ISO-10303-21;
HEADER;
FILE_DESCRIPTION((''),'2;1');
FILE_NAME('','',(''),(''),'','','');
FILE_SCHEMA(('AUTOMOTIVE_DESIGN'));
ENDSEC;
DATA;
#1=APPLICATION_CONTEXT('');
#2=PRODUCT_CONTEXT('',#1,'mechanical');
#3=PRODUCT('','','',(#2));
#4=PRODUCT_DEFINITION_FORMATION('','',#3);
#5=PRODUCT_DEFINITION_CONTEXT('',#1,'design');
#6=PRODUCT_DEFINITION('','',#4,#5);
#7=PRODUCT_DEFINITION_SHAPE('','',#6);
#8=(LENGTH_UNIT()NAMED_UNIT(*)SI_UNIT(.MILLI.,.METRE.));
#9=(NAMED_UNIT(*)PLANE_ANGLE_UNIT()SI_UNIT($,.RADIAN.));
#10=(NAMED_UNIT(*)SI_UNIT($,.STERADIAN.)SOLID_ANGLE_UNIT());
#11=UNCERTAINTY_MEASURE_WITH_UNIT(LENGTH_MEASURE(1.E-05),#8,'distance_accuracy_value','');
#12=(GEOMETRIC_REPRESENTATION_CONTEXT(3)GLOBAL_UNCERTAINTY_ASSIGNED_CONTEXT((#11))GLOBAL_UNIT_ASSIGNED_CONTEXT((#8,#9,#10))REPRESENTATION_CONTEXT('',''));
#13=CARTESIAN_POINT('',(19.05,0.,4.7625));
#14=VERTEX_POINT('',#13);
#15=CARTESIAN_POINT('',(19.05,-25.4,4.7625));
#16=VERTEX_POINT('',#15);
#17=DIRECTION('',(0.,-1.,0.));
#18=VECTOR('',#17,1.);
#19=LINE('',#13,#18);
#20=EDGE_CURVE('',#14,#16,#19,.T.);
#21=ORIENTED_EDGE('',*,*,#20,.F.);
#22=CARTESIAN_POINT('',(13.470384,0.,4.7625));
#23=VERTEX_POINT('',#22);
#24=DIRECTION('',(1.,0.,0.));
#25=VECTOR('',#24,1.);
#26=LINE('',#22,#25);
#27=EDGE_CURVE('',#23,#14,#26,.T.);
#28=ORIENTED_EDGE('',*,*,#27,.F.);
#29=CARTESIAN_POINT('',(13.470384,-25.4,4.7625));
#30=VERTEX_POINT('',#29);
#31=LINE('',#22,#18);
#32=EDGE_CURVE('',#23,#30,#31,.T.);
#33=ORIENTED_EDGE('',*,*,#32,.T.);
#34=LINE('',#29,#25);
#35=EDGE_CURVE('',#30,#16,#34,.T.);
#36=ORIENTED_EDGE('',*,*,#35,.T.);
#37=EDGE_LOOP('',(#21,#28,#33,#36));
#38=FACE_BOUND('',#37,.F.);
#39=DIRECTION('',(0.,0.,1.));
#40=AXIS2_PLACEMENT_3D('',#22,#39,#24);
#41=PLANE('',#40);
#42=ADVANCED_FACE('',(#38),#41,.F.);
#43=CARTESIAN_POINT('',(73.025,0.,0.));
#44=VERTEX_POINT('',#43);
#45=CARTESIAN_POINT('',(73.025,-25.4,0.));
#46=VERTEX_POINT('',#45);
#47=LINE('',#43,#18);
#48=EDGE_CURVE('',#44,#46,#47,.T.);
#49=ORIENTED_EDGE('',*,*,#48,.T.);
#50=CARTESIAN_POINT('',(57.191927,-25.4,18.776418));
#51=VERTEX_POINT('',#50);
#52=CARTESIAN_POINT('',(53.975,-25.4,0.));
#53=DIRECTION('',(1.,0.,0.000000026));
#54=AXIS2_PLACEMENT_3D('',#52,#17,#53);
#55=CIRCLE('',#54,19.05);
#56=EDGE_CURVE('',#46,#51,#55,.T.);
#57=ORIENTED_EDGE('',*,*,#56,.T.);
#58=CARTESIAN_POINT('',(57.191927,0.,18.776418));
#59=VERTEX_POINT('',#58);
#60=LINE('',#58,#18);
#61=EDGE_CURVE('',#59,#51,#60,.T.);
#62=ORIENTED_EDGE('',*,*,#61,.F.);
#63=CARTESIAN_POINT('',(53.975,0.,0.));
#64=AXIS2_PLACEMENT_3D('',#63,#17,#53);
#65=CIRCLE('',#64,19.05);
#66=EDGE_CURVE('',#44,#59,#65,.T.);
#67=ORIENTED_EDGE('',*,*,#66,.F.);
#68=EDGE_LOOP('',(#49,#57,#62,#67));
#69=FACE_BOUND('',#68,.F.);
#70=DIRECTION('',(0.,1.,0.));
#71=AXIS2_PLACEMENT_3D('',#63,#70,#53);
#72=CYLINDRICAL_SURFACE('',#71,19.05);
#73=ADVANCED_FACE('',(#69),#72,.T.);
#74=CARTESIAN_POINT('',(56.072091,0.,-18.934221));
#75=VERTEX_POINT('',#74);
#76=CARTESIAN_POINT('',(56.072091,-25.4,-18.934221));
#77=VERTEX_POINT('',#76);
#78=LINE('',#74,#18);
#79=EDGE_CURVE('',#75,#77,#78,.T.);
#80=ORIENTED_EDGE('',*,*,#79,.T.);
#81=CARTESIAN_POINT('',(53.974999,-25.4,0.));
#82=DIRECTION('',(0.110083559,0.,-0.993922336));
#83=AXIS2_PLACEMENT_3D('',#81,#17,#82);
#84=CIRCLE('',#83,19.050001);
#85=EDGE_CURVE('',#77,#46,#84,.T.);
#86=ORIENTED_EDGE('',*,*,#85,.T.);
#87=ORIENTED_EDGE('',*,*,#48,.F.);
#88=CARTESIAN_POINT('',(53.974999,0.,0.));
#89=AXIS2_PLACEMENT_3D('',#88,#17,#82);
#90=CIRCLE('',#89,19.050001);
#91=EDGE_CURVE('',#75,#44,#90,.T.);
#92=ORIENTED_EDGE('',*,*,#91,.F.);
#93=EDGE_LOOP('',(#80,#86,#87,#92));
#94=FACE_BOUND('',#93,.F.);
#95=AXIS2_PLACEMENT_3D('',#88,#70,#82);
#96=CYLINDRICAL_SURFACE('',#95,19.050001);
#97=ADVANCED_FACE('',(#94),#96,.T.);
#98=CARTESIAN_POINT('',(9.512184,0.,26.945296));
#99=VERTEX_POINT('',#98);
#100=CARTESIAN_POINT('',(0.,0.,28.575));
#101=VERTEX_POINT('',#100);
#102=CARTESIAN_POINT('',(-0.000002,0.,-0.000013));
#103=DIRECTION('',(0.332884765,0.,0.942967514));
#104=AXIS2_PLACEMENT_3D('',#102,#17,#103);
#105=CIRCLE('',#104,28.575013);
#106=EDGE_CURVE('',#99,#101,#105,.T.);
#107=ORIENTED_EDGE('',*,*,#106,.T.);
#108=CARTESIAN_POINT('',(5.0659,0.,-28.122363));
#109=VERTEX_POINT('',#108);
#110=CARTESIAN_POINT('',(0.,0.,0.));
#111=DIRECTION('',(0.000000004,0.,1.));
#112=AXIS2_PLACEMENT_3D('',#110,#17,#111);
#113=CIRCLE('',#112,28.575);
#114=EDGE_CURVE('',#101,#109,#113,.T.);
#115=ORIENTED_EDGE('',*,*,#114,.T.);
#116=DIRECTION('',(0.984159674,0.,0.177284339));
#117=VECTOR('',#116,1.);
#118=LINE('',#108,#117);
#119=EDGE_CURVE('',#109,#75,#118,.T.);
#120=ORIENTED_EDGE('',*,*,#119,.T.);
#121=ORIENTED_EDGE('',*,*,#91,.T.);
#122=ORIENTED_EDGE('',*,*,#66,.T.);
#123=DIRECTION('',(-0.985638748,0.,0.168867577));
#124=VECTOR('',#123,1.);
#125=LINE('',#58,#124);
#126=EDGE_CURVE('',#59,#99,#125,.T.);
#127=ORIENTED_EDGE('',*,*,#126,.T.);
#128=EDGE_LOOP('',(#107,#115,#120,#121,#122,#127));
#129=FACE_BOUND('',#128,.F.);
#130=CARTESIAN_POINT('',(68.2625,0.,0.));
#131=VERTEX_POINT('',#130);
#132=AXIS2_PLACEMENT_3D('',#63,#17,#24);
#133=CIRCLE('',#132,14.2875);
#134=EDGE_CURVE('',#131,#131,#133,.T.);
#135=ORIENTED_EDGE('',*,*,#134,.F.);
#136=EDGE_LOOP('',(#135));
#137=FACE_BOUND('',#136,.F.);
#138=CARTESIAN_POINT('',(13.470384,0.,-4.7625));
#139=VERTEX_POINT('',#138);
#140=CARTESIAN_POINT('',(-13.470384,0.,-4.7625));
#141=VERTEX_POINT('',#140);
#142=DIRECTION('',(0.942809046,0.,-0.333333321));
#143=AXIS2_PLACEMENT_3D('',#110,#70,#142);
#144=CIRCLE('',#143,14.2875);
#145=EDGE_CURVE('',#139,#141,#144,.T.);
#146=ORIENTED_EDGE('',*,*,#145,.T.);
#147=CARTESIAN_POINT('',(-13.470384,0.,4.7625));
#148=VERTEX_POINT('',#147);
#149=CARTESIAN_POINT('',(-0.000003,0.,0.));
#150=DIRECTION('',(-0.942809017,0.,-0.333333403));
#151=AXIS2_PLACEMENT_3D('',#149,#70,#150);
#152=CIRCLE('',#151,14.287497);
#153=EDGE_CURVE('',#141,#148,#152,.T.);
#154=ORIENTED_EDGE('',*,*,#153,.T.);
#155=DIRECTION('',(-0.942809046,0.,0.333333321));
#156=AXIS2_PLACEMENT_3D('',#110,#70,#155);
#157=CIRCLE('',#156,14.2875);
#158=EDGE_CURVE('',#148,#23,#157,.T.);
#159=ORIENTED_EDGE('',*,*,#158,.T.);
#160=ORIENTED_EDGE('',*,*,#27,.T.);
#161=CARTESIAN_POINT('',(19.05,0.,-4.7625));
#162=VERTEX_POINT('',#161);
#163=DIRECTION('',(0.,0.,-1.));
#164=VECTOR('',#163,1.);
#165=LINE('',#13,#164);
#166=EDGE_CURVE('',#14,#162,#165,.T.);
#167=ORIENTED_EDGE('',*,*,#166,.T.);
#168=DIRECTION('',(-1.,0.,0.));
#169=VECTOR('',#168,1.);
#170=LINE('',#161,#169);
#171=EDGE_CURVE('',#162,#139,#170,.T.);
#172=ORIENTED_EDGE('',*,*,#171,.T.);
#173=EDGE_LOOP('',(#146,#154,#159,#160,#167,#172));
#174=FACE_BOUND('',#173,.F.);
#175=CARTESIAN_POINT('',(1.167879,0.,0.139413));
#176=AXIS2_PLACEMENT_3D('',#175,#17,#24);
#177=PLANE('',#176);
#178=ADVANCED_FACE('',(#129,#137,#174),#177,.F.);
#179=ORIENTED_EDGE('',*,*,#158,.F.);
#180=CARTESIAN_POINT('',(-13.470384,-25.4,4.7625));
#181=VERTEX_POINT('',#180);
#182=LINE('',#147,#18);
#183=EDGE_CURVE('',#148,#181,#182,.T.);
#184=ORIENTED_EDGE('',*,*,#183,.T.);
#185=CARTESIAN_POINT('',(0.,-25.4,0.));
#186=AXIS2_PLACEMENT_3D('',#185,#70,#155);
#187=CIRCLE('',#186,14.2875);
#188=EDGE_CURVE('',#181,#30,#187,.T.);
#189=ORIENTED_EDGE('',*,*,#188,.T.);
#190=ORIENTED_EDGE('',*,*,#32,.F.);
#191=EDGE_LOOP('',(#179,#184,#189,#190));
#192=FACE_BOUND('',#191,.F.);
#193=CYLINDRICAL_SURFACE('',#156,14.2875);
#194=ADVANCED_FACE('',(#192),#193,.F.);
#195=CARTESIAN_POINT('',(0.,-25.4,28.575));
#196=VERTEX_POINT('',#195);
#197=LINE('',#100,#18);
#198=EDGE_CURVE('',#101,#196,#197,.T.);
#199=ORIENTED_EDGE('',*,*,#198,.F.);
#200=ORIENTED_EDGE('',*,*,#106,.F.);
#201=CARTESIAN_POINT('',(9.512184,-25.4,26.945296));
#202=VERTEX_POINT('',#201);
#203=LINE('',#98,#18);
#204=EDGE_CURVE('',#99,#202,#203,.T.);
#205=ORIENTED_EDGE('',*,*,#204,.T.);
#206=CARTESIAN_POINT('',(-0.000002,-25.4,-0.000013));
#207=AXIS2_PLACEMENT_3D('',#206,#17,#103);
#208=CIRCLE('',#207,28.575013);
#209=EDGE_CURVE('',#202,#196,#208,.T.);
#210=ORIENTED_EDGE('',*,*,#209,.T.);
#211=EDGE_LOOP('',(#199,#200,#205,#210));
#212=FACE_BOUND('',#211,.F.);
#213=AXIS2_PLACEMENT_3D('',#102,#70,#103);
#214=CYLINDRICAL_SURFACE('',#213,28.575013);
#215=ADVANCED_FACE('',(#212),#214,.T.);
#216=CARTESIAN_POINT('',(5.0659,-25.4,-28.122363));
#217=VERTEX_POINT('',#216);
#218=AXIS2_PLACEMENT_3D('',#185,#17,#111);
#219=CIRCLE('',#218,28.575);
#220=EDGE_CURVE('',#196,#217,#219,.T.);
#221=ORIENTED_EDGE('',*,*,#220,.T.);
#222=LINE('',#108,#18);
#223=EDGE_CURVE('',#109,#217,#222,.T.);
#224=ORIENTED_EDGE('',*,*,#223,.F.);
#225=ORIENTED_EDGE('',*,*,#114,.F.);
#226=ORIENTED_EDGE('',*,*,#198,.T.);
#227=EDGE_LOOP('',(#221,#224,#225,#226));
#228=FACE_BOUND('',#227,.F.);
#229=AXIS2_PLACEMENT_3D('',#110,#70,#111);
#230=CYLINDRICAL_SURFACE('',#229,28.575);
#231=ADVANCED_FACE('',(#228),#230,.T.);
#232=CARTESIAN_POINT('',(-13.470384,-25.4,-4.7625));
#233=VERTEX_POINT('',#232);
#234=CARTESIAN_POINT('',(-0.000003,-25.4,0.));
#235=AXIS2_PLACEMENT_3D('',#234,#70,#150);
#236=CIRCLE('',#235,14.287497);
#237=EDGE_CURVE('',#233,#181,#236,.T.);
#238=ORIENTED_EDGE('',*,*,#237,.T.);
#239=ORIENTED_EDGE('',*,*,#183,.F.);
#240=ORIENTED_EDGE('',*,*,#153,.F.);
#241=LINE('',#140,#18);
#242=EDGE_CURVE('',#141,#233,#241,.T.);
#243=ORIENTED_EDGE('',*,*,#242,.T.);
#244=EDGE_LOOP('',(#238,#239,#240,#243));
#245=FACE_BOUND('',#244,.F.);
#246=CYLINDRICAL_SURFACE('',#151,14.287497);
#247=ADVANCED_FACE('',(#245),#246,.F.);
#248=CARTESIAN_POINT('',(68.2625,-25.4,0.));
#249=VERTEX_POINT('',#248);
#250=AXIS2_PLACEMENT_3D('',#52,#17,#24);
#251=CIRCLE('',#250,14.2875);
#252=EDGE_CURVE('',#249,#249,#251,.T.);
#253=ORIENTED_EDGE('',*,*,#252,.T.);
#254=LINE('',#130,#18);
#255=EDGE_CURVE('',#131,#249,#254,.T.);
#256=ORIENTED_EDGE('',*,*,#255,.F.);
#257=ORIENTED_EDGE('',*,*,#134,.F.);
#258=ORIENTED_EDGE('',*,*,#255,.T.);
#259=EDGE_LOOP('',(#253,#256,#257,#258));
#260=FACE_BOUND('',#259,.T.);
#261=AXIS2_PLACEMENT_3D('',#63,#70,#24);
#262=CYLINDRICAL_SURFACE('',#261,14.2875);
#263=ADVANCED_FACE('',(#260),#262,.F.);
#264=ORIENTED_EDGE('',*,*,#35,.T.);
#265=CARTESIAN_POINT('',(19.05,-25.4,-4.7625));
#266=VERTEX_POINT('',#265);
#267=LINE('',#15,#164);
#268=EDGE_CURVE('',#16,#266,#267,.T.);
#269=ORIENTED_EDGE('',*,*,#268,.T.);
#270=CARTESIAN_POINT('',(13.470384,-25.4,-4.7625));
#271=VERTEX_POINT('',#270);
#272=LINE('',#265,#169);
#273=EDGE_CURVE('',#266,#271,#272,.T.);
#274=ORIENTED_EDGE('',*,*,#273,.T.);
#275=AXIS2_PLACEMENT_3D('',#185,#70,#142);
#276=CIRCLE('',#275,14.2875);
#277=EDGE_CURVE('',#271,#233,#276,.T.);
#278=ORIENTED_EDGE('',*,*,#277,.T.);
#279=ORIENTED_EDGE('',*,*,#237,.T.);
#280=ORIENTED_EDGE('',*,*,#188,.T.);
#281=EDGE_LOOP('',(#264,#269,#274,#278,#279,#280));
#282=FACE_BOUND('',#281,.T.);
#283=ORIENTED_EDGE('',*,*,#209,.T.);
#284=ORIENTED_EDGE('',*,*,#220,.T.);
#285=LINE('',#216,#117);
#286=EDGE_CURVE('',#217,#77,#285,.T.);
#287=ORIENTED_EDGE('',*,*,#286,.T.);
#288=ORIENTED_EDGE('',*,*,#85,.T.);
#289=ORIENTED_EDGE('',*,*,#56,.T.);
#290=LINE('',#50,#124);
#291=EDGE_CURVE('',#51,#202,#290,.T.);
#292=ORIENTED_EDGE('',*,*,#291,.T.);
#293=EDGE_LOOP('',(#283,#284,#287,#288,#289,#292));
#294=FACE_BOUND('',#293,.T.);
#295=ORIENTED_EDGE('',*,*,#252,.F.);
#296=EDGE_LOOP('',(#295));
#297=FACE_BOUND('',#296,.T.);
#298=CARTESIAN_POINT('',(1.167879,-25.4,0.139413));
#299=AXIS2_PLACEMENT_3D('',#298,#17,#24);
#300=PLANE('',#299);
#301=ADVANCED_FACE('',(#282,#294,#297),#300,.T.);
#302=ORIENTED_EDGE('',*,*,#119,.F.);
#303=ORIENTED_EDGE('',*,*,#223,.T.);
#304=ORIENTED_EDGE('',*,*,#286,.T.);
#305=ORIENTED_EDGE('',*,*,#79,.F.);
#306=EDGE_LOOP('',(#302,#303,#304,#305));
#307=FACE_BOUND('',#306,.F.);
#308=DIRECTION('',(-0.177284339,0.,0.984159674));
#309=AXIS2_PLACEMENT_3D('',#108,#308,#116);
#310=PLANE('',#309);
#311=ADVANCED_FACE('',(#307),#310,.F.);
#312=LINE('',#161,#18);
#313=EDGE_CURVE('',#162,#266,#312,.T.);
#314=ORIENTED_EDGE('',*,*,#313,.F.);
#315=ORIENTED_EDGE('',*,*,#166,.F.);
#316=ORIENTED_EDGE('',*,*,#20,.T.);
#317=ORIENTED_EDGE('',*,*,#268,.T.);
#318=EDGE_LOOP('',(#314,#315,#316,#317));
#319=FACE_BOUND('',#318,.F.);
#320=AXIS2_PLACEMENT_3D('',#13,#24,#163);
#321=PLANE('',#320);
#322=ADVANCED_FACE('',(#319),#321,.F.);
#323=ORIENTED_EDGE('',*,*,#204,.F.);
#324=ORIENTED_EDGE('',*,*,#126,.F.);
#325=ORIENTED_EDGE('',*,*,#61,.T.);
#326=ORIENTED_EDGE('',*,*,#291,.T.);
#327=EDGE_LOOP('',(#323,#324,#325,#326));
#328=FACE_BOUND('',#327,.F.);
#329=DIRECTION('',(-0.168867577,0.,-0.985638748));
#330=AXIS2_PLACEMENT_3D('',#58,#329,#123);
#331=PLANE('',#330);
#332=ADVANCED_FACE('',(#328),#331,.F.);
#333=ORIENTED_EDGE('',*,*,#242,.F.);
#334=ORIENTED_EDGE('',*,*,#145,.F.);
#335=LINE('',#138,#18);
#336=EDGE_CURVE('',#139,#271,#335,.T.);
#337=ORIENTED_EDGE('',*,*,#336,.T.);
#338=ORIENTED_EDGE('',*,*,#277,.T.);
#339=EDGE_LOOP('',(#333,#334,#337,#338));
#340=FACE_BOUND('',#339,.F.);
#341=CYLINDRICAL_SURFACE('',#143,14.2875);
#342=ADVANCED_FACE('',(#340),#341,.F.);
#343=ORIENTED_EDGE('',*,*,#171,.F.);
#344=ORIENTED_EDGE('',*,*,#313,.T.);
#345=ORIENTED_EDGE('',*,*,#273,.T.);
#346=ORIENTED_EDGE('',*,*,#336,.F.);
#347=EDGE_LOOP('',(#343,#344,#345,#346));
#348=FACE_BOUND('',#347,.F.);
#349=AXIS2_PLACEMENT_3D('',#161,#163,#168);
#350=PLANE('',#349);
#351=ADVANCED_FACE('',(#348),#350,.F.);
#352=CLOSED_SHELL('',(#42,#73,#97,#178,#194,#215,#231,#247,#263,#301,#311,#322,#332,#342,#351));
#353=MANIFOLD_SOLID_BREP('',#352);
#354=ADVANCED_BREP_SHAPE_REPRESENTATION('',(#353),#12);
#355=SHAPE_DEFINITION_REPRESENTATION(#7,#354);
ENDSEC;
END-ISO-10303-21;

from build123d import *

# Parameters (mm, degrees)
F0_R     = 14.2875
F1_DEPTH = 25.4


with BuildPart() as f1:
    # F0 (on Front) → F1 (new body)
    with BuildSketch(Plane.XZ):
        with BuildLine():
            Line((9.512184, 26.945296), (0, 28.575))
            ThreePointArc((0, 28.575), (-28.461616, -2.543041), (5.0659, -28.122363))
            ThreePointArc((5.0659, -28.122363), (21.923603, -18.3272), (28.575, 0))
            ThreePointArc((28.575, 0), (23.327466, 16.503332), (9.512184, 26.945296))
        make_face()
        with BuildLine():
            ThreePointArc((-13.470384, 4.7625), (0, 14.2875), (13.470384, 4.7625))
            Line((13.470384, 4.7625), (19.05, 4.7625))
            Line((19.05, 4.7625), (19.05, -4.7625))
            Line((19.05, -4.7625), (13.470384, -4.7625))
            ThreePointArc((13.470384, -4.7625), (0, -14.2875), (-13.470384, -4.7625))
            Line((-13.470384, -4.7625), (-19.05, -4.7625))
            Line((-19.05, -4.7625), (-19.05, 4.7625))
            Line((-19.05, 4.7625), (-13.470384, 4.7625))
        make_face(mode=Mode.SUBTRACT)
        with BuildLine():
            ThreePointArc((9.512184, 26.945296), (4.825391, 28.164627), (0, 28.575))
            Line((0, 28.575), (9.512184, 26.945296))
        make_face()
        with BuildLine():
            ThreePointArc((28.575, 0), (21.923603, -18.3272), (5.0659, -28.122363))
            Line((5.0659, -28.122363), (56.072091, -18.934221))
            ThreePointArc((56.072091, -18.934221), (34.933394, 0.56545), (57.191927, 18.776418))
            Line((57.191927, 18.776418), (9.512184, 26.945296))
            ThreePointArc((9.512184, 26.945296), (23.327466, 16.503332), (28.575, 0))
        make_face()
        with BuildLine():
            ThreePointArc((57.191927, 18.776418), (34.933394, 0.56545), (56.072091, -18.934221))
            ThreePointArc((56.072091, -18.934221), (68.167464, -12.707339), (73.025, 0))
            ThreePointArc((73.025, 0), (68.538395, 12.280473), (57.191927, 18.776418))
        make_face()
        with Locations((53.975, 0)):
            Circle(F0_R, mode=Mode.SUBTRACT)
        with BuildLine():
            ThreePointArc((-13.470384, -4.7625), (-14.2875, 0), (-13.470384, 4.7625))
            Line((-13.470384, 4.7625), (-19.05, 4.7625))
            Line((-19.05, 4.7625), (-19.05, -4.7625))
            Line((-19.05, -4.7625), (-13.470384, -4.7625))
        make_face()
    extrude(amount=F1_DEPTH)


solid = f1.part
